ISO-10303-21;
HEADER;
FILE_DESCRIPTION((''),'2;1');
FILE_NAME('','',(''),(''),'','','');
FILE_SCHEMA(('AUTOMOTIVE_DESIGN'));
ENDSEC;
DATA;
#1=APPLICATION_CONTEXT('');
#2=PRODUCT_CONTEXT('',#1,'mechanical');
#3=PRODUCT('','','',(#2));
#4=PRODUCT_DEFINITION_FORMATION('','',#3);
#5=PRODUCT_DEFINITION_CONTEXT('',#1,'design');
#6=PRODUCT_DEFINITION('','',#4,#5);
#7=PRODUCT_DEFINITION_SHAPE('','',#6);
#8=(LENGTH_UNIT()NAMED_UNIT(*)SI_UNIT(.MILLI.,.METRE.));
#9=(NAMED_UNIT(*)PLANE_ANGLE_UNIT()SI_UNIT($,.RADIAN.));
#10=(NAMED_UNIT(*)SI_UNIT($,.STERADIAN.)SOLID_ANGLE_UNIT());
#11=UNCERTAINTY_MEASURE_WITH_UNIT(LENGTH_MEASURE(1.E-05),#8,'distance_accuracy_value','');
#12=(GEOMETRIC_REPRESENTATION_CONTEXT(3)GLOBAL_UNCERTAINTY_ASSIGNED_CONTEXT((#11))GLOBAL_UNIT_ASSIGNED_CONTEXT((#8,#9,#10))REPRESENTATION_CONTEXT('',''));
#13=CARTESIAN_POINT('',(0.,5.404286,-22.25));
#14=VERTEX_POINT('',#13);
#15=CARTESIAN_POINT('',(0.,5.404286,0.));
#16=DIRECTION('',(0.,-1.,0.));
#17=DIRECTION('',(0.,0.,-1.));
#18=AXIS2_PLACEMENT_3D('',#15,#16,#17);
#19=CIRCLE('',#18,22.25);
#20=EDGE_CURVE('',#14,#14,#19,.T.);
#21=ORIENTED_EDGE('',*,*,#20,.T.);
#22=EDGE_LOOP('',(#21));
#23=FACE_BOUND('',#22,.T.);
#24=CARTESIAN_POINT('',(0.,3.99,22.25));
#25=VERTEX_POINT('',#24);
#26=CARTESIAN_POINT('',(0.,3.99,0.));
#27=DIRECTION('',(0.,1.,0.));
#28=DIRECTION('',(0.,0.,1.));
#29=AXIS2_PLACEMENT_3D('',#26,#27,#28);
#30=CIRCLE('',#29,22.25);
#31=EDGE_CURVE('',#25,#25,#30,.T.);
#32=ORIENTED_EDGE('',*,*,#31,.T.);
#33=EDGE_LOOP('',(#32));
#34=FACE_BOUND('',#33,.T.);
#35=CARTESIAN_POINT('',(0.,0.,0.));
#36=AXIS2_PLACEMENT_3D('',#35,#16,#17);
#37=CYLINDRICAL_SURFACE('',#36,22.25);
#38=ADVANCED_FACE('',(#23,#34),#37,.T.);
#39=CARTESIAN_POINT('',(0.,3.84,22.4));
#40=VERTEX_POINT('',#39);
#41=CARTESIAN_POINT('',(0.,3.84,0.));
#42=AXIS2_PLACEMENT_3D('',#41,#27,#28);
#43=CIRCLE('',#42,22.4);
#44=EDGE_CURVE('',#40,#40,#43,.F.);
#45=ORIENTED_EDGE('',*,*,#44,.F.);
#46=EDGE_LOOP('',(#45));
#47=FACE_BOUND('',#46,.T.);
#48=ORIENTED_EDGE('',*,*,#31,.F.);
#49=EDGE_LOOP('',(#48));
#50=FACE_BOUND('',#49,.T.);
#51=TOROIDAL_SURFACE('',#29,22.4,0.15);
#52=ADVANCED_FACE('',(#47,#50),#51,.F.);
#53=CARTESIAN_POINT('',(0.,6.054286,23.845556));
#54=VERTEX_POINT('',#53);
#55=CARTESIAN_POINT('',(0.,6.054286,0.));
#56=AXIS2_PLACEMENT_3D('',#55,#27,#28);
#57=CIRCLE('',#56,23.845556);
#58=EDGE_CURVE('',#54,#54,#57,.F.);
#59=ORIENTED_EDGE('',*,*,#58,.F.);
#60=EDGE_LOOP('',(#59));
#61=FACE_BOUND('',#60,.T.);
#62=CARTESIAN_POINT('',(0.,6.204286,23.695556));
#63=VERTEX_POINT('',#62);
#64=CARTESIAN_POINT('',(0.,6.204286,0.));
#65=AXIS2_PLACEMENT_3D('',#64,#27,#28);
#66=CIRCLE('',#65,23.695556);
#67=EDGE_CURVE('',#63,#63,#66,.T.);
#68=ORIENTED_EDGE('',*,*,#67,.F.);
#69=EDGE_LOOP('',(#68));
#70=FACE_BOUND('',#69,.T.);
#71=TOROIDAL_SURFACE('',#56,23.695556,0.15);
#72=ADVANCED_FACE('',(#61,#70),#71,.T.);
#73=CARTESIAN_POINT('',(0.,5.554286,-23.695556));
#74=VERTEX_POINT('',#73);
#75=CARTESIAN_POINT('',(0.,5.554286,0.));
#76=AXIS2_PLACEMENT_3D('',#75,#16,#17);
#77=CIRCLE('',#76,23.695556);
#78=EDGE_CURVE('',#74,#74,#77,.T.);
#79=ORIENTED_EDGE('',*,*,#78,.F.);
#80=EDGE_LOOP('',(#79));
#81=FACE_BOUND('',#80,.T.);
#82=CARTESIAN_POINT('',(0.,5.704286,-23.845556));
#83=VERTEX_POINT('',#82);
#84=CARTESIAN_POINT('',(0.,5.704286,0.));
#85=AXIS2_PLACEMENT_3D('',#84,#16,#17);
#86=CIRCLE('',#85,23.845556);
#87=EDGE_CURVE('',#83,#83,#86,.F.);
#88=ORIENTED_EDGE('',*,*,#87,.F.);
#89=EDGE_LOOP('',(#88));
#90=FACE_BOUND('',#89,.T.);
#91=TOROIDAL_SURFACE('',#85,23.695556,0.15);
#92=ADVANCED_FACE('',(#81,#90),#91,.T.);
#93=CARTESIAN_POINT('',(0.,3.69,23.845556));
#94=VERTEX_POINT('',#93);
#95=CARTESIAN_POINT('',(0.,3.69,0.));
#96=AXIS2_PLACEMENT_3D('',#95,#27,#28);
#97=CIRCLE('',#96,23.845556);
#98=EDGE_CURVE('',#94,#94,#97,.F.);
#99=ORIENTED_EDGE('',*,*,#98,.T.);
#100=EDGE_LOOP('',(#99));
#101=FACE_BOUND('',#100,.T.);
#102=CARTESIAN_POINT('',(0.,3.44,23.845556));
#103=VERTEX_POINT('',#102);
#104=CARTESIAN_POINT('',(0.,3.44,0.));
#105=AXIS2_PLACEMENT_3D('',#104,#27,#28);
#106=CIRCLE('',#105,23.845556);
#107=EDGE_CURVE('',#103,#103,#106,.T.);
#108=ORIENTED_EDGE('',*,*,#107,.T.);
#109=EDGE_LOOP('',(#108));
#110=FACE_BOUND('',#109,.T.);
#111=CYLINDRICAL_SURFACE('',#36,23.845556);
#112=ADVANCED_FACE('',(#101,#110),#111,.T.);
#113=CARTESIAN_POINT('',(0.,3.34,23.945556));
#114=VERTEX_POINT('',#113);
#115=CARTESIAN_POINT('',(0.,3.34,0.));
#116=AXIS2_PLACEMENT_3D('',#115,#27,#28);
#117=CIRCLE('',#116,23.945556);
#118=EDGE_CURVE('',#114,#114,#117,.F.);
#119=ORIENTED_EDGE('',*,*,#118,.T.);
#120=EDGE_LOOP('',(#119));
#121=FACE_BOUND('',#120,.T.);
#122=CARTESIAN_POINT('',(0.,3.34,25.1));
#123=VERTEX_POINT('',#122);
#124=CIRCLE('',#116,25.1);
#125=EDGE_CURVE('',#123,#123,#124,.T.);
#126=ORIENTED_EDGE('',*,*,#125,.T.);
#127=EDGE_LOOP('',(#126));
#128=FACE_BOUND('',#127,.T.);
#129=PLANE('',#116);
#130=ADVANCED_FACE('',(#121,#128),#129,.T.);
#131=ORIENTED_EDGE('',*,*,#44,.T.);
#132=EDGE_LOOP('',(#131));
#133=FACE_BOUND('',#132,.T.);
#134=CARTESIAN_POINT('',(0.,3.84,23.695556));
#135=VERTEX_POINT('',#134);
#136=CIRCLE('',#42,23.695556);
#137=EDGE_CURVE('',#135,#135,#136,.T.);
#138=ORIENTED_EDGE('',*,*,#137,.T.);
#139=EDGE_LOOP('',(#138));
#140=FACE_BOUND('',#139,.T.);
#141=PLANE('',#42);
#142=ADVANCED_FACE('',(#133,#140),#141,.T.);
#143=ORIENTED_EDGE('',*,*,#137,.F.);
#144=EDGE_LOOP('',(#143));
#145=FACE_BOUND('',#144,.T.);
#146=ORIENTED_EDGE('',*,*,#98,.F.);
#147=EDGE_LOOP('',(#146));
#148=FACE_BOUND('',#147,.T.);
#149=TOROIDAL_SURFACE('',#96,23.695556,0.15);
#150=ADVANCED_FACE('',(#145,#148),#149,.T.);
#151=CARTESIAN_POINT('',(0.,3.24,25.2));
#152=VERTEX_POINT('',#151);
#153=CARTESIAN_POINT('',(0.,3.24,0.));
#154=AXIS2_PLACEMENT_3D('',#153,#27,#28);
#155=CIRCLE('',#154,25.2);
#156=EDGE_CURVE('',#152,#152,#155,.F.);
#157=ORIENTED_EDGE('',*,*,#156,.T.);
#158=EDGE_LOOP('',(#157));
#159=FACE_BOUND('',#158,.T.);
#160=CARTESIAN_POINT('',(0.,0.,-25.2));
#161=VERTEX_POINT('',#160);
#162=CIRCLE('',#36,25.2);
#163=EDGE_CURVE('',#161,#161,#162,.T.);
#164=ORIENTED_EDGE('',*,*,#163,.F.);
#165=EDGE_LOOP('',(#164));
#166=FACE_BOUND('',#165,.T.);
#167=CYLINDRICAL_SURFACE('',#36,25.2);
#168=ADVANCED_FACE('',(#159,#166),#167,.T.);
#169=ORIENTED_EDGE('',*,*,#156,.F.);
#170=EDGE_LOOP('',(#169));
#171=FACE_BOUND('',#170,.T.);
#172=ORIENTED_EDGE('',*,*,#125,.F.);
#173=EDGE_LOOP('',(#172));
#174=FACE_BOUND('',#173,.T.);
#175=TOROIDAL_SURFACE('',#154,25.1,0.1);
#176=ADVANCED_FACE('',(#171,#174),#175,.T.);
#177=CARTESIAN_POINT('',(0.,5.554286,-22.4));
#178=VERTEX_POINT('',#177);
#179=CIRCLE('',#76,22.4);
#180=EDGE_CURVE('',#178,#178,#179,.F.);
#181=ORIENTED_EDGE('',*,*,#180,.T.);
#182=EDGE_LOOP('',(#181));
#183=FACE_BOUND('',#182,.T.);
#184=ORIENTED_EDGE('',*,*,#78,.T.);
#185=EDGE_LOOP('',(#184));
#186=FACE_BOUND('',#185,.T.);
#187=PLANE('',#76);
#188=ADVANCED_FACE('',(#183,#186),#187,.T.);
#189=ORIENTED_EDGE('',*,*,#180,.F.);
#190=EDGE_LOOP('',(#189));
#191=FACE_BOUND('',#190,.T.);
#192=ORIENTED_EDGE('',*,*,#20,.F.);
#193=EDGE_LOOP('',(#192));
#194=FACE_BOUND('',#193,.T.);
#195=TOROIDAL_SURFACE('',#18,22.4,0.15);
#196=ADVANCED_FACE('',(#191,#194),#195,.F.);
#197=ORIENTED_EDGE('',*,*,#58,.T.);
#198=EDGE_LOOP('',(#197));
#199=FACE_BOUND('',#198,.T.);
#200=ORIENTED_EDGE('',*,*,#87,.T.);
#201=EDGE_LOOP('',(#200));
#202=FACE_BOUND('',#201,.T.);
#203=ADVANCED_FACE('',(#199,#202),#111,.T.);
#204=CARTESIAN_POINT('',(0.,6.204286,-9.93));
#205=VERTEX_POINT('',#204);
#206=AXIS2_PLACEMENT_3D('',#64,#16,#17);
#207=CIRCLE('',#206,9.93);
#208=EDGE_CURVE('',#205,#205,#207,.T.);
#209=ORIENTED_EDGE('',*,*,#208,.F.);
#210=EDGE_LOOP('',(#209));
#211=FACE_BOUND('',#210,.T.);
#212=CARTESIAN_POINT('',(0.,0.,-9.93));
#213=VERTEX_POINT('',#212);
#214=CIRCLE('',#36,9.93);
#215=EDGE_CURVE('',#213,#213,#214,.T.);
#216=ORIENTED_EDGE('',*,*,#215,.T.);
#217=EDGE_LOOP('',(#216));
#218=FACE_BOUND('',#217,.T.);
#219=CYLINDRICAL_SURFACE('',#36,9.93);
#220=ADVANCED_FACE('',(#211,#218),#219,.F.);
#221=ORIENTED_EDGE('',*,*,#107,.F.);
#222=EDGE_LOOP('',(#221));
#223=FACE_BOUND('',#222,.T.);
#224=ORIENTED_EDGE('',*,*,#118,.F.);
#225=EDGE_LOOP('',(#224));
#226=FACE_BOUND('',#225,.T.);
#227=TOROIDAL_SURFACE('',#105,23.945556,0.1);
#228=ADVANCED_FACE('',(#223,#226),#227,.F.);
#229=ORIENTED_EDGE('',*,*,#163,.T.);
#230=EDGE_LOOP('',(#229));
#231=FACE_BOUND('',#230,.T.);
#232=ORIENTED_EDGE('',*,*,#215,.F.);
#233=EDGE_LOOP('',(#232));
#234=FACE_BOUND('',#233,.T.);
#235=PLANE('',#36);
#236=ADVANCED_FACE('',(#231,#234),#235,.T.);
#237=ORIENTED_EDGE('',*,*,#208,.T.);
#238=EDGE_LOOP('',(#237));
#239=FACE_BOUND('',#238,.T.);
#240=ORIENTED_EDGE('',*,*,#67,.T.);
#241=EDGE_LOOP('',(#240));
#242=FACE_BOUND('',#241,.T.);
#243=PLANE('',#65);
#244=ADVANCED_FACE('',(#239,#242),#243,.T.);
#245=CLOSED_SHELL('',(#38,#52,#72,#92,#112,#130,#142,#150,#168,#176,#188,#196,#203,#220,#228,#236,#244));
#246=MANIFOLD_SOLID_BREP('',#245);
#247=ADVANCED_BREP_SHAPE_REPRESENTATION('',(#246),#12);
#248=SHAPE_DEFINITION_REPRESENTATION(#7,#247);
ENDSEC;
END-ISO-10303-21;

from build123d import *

# Parameters (mm, degrees)
FILLET2_R = 0.15
FILLET3_R = 0.15
FILLET4_R = 0.1
FILLET5_R = 0.15
FILLET6_R = 0.15


with BuildPart() as part:
    # Sketch1 → Revolve1 (revolve)
    with BuildSketch(Plane.XY):
        Polygon((9.93, 0), (9.93, 6.204285714), (23.845556077, 6.204285714), (23.845556077, 5.554285714), (22.25, 5.554285714), (22.25, 3.84), (23.845556077, 3.84), (23.845556077, 3.34), (25.2, 3.34), (25.2, 0), align=None)
    revolve(axis=Axis((0, 0, 0), (0, 1, 0)))

    # Fillet2
    fillet2_edges = [part.edges().sort_by_distance(p)[0] for p in [
        (-23.845556077, 6.204285714, 0),
    ]]
    fillet(fillet2_edges, radius=FILLET2_R)

    # Fillet3
    fillet3_edges = [part.edges().sort_by_distance(p)[0] for p in [
        (-23.845556077, 5.554285714, 0),
        (-23.845556077, 3.84, 0),
    ]]
    fillet(fillet3_edges, radius=FILLET3_R)

    # Fillet4
    fillet4_edges = [part.edges().sort_by_distance(p)[0] for p in [
        (-23.845556077, 3.34, 0),
        (-25.2, 3.34, 0),
    ]]
    fillet(fillet4_edges, radius=FILLET4_R)

    # Fillet5
    fillet5_edges = [part.edges().sort_by_distance(p)[0] for p in [
        (-22.25, 3.84, 0),
    ]]
    fillet(fillet5_edges, radius=FILLET5_R)

    # Fillet6
    fillet6_edges = [part.edges().sort_by_distance(p)[0] for p in [
        (-22.25, 5.554285714, 0),
    ]]
    fillet(fillet6_edges, radius=FILLET6_R)


solid = part.part
